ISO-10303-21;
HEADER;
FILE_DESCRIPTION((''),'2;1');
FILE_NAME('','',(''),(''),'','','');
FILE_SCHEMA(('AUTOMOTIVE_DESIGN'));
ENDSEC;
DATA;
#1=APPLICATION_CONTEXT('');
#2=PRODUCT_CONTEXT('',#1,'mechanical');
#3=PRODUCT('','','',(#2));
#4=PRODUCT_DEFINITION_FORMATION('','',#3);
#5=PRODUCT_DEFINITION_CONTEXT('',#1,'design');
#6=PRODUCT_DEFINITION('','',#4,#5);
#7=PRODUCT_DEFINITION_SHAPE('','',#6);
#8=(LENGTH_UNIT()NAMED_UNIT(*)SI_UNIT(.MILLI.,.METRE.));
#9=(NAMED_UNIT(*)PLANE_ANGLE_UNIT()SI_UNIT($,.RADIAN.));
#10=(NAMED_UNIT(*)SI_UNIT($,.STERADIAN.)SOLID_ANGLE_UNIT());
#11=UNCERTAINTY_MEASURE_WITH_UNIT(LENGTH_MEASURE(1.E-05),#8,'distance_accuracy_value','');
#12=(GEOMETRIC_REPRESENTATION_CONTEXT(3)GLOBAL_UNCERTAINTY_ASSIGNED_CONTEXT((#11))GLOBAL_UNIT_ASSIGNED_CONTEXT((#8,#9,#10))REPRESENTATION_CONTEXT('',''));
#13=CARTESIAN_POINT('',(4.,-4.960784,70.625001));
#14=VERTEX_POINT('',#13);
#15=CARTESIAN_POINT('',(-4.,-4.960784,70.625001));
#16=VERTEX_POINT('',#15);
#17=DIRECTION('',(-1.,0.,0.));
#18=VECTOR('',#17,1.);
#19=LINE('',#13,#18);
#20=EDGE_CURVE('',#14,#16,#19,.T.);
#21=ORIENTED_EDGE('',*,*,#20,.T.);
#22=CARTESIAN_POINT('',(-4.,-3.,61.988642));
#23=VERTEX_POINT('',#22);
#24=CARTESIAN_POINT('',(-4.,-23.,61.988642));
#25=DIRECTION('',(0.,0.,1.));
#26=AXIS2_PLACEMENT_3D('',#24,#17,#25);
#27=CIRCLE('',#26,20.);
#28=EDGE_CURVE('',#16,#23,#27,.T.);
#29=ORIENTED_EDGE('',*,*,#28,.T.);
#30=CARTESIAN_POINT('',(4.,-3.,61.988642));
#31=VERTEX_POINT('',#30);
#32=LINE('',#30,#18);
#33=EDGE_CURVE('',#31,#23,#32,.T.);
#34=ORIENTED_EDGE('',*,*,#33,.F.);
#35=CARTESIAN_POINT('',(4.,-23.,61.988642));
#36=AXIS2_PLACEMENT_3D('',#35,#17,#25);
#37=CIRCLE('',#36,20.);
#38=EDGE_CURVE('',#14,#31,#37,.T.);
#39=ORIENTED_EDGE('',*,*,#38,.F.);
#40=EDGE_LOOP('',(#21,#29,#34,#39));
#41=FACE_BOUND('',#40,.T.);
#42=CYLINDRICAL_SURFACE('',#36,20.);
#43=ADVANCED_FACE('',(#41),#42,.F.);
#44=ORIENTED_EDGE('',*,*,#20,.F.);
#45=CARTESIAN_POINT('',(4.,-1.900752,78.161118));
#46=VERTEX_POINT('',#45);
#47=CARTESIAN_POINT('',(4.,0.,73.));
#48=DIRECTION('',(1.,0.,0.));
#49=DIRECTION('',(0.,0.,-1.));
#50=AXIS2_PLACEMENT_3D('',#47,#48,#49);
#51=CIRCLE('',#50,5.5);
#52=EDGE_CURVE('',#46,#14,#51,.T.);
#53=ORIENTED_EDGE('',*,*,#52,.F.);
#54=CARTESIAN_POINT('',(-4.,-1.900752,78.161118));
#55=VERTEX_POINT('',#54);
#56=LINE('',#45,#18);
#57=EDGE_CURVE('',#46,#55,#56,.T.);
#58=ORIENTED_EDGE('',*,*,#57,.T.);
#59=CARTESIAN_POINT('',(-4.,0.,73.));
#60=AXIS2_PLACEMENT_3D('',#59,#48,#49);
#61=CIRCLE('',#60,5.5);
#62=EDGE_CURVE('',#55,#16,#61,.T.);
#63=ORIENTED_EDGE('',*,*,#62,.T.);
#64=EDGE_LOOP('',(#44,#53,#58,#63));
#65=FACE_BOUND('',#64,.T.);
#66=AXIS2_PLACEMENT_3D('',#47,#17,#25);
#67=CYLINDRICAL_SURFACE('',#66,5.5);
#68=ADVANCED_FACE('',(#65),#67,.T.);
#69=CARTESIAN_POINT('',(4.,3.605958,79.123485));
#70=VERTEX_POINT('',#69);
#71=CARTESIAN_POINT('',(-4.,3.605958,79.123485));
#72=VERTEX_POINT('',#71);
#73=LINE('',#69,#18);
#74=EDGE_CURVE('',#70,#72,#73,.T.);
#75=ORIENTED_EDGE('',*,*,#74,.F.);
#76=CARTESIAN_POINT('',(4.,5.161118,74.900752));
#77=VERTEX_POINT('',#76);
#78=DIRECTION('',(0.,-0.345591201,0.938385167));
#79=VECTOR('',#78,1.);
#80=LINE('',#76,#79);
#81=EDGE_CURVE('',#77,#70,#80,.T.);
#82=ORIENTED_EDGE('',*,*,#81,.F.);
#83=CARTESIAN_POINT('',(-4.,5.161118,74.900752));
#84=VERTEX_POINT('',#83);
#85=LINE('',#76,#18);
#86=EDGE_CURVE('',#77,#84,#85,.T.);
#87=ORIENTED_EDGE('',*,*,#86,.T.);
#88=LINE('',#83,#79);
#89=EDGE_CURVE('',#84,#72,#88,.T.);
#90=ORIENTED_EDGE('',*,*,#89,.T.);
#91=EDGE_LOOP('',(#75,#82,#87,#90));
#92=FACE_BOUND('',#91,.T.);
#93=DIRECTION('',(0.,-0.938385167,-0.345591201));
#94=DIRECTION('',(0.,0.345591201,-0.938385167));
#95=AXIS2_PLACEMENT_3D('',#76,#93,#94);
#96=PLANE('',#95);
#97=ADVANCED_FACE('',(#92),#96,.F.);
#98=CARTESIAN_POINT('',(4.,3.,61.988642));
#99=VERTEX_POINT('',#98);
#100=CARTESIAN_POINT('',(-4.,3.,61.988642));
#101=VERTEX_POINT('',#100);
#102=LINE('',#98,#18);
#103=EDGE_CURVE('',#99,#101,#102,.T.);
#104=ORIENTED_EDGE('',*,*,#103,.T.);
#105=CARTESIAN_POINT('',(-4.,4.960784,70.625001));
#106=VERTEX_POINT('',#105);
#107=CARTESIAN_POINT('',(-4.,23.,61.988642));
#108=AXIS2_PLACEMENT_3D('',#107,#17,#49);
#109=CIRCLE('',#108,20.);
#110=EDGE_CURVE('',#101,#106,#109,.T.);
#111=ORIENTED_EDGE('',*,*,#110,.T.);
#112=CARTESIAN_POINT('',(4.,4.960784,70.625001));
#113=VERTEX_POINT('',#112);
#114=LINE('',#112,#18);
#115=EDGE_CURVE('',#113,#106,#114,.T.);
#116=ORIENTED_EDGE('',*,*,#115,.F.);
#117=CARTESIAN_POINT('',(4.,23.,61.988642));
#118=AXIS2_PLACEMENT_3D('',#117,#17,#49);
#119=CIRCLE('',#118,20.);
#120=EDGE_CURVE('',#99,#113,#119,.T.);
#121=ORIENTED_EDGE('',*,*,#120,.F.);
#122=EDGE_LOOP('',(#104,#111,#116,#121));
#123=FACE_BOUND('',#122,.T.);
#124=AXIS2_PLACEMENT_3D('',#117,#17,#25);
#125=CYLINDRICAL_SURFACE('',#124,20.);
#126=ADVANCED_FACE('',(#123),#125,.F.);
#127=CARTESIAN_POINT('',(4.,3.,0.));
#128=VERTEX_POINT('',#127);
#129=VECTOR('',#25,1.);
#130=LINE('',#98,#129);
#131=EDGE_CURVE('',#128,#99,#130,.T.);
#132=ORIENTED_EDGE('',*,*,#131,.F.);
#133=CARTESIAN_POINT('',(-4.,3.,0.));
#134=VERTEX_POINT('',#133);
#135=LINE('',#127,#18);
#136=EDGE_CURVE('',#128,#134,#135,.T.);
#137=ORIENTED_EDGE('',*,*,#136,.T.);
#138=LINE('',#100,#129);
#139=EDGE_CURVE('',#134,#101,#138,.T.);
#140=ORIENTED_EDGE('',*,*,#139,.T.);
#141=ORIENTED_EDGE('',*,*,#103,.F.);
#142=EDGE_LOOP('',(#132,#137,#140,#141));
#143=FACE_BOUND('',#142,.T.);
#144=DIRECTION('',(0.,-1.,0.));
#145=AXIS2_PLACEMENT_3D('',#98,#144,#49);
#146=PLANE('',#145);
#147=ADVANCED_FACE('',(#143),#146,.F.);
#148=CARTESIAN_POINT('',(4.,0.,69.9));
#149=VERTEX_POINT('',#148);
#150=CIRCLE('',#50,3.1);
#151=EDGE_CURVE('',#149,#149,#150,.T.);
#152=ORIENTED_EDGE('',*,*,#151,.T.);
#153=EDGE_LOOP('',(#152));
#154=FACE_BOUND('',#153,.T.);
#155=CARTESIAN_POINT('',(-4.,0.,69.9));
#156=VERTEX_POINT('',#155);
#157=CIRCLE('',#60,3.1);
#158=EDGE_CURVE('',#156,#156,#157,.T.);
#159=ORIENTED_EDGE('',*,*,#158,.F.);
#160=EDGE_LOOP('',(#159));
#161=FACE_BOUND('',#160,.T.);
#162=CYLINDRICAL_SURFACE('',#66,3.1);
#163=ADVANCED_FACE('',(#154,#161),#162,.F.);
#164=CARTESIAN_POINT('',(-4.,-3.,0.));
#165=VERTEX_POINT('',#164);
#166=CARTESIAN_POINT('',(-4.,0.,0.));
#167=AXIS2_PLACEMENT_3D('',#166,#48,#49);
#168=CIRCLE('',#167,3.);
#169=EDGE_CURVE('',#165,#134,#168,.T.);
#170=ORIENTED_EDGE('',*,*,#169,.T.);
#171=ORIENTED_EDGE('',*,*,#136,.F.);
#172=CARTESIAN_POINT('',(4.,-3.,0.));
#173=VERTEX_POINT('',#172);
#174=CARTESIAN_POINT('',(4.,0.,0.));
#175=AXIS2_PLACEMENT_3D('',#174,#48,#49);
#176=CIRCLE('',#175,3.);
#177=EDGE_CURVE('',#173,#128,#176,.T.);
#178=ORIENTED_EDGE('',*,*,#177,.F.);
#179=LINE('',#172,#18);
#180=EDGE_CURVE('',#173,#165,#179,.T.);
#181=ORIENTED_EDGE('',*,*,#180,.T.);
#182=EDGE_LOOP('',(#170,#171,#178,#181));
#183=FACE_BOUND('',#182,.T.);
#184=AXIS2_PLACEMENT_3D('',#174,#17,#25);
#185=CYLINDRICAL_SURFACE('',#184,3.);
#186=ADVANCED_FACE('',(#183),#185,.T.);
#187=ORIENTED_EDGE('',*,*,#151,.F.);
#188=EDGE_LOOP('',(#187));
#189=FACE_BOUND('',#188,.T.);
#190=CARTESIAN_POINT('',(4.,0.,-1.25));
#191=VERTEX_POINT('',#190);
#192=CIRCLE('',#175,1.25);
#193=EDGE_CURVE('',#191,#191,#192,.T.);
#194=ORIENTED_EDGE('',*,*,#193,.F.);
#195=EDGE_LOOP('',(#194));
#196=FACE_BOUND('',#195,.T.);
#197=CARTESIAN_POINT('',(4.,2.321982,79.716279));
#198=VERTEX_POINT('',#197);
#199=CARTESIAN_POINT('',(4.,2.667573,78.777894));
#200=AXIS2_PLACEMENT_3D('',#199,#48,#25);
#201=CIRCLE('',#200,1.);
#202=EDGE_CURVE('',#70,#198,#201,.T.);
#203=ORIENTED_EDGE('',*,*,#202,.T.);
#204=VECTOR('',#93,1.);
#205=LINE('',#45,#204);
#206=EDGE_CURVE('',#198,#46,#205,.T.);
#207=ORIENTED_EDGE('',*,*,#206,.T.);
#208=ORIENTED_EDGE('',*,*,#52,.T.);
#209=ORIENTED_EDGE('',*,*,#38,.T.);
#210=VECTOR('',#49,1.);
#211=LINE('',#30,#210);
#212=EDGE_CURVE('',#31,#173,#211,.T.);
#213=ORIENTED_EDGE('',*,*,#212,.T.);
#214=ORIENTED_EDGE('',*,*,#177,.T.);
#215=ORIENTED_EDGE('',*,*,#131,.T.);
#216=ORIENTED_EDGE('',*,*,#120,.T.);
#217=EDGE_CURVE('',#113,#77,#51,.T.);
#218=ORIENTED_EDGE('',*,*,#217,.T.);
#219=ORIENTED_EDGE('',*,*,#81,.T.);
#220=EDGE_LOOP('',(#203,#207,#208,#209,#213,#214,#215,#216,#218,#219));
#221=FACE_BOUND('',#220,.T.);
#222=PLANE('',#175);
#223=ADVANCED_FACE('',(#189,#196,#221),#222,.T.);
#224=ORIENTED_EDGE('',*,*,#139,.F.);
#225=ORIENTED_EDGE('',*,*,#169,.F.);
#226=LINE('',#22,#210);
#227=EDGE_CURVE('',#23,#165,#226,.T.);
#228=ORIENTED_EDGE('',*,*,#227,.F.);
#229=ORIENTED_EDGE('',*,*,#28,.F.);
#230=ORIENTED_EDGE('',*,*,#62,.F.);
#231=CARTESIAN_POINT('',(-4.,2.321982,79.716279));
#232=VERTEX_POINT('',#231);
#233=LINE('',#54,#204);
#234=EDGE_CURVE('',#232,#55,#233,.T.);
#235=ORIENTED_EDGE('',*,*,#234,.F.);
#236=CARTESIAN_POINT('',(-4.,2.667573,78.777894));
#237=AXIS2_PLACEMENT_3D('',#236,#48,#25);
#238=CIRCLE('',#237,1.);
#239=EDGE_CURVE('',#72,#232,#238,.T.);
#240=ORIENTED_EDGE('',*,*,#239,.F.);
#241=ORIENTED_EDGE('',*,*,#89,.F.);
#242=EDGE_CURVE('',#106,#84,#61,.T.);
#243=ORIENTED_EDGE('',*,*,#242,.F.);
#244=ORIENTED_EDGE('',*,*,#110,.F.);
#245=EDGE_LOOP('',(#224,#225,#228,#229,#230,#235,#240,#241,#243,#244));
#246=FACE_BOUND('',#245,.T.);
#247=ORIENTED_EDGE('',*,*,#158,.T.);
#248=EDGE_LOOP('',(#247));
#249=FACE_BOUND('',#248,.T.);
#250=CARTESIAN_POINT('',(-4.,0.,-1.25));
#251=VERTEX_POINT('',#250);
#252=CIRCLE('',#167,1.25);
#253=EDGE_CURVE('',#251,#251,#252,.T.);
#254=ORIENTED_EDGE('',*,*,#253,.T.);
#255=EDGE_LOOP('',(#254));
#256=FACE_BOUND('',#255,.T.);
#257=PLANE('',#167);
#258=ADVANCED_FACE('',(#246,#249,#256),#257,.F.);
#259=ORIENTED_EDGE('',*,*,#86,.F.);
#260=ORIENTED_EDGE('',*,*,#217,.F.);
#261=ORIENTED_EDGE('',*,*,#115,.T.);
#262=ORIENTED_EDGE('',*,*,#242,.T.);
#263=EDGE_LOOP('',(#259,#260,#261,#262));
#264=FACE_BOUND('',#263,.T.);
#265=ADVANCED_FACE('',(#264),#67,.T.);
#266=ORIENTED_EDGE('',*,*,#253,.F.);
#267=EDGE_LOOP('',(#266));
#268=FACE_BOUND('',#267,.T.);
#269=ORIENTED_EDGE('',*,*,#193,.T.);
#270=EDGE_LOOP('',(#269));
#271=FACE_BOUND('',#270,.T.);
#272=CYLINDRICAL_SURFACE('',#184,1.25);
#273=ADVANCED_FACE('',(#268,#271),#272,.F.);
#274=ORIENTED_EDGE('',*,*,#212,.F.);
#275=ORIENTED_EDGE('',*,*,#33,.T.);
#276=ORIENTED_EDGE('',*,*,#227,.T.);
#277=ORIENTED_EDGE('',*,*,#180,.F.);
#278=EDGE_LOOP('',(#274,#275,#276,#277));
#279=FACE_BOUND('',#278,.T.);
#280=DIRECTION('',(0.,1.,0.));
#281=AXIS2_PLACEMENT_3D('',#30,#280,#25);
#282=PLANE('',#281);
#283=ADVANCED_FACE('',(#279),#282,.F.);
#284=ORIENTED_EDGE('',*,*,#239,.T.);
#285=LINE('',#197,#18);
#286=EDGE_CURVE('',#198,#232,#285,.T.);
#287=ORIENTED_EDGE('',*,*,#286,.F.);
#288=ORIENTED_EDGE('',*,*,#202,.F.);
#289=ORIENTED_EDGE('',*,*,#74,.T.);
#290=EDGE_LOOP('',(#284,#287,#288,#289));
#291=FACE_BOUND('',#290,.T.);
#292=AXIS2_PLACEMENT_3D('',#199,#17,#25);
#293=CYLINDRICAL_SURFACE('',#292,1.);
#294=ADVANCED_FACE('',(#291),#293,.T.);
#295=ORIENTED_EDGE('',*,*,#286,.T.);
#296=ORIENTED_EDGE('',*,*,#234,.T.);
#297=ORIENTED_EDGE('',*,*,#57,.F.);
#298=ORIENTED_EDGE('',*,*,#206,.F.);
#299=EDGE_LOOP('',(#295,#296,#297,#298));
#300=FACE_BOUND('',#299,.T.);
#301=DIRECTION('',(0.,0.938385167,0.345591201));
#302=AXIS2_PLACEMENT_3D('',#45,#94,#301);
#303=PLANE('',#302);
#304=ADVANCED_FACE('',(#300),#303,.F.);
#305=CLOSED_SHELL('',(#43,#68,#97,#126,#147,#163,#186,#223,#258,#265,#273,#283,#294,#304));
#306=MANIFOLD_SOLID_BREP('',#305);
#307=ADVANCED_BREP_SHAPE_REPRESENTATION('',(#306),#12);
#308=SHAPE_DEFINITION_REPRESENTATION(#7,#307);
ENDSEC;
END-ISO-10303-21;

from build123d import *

# Parameters (mm, degrees)
SKETCH1_R           = 1.25
SKETCH1_R_2         = 3.1
BOSS_EXTRUDE1_DEPTH = 4


with BuildPart() as part:
    # Sketch1 → Boss-Extrude1 (new, symmetric)
    with BuildSketch(Plane(origin=(0, 0, 0), x_dir=(0, 0, -1), z_dir=(1, 0, 0))):
        with BuildLine():
            Line((-61.988642227, 3), (0, 3))
            ThreePointArc((0, 3), (3, 0), (0, -3))
            Line((0, -3), (-61.988642227, -3))
            ThreePointArc((-61.988642227, -3), (-66.416716655, -3.496355293), (-70.625001265, -4.960784314))
            ThreePointArc((-70.625001265, -4.960784314), (-75.069194472, -5.095923296), (-78.161118418, -1.900751608))
            Line((-78.161118418, -1.900751608), (-79.716278824, 2.321981644))
            ThreePointArc((-79.716278824, 2.321981644), (-79.685802054, 3.086741478), (-79.123484859, 3.605958012))
            Line((-79.123484859, 3.605958012), (-74.900751608, 5.161118418))
            ThreePointArc((-74.900751608, 5.161118418), (-72.742587835, 5.493972968), (-70.625001265, 4.960784314))
            ThreePointArc((-70.625001265, 4.960784314), (-66.416716655, 3.496355293), (-61.988642227, 3))
        make_face()
        Circle(SKETCH1_R, mode=Mode.SUBTRACT)
        with Locations((-73, 0)):
            Circle(SKETCH1_R_2, mode=Mode.SUBTRACT)
    extrude(amount=BOSS_EXTRUDE1_DEPTH, both=True)


solid = part.part
